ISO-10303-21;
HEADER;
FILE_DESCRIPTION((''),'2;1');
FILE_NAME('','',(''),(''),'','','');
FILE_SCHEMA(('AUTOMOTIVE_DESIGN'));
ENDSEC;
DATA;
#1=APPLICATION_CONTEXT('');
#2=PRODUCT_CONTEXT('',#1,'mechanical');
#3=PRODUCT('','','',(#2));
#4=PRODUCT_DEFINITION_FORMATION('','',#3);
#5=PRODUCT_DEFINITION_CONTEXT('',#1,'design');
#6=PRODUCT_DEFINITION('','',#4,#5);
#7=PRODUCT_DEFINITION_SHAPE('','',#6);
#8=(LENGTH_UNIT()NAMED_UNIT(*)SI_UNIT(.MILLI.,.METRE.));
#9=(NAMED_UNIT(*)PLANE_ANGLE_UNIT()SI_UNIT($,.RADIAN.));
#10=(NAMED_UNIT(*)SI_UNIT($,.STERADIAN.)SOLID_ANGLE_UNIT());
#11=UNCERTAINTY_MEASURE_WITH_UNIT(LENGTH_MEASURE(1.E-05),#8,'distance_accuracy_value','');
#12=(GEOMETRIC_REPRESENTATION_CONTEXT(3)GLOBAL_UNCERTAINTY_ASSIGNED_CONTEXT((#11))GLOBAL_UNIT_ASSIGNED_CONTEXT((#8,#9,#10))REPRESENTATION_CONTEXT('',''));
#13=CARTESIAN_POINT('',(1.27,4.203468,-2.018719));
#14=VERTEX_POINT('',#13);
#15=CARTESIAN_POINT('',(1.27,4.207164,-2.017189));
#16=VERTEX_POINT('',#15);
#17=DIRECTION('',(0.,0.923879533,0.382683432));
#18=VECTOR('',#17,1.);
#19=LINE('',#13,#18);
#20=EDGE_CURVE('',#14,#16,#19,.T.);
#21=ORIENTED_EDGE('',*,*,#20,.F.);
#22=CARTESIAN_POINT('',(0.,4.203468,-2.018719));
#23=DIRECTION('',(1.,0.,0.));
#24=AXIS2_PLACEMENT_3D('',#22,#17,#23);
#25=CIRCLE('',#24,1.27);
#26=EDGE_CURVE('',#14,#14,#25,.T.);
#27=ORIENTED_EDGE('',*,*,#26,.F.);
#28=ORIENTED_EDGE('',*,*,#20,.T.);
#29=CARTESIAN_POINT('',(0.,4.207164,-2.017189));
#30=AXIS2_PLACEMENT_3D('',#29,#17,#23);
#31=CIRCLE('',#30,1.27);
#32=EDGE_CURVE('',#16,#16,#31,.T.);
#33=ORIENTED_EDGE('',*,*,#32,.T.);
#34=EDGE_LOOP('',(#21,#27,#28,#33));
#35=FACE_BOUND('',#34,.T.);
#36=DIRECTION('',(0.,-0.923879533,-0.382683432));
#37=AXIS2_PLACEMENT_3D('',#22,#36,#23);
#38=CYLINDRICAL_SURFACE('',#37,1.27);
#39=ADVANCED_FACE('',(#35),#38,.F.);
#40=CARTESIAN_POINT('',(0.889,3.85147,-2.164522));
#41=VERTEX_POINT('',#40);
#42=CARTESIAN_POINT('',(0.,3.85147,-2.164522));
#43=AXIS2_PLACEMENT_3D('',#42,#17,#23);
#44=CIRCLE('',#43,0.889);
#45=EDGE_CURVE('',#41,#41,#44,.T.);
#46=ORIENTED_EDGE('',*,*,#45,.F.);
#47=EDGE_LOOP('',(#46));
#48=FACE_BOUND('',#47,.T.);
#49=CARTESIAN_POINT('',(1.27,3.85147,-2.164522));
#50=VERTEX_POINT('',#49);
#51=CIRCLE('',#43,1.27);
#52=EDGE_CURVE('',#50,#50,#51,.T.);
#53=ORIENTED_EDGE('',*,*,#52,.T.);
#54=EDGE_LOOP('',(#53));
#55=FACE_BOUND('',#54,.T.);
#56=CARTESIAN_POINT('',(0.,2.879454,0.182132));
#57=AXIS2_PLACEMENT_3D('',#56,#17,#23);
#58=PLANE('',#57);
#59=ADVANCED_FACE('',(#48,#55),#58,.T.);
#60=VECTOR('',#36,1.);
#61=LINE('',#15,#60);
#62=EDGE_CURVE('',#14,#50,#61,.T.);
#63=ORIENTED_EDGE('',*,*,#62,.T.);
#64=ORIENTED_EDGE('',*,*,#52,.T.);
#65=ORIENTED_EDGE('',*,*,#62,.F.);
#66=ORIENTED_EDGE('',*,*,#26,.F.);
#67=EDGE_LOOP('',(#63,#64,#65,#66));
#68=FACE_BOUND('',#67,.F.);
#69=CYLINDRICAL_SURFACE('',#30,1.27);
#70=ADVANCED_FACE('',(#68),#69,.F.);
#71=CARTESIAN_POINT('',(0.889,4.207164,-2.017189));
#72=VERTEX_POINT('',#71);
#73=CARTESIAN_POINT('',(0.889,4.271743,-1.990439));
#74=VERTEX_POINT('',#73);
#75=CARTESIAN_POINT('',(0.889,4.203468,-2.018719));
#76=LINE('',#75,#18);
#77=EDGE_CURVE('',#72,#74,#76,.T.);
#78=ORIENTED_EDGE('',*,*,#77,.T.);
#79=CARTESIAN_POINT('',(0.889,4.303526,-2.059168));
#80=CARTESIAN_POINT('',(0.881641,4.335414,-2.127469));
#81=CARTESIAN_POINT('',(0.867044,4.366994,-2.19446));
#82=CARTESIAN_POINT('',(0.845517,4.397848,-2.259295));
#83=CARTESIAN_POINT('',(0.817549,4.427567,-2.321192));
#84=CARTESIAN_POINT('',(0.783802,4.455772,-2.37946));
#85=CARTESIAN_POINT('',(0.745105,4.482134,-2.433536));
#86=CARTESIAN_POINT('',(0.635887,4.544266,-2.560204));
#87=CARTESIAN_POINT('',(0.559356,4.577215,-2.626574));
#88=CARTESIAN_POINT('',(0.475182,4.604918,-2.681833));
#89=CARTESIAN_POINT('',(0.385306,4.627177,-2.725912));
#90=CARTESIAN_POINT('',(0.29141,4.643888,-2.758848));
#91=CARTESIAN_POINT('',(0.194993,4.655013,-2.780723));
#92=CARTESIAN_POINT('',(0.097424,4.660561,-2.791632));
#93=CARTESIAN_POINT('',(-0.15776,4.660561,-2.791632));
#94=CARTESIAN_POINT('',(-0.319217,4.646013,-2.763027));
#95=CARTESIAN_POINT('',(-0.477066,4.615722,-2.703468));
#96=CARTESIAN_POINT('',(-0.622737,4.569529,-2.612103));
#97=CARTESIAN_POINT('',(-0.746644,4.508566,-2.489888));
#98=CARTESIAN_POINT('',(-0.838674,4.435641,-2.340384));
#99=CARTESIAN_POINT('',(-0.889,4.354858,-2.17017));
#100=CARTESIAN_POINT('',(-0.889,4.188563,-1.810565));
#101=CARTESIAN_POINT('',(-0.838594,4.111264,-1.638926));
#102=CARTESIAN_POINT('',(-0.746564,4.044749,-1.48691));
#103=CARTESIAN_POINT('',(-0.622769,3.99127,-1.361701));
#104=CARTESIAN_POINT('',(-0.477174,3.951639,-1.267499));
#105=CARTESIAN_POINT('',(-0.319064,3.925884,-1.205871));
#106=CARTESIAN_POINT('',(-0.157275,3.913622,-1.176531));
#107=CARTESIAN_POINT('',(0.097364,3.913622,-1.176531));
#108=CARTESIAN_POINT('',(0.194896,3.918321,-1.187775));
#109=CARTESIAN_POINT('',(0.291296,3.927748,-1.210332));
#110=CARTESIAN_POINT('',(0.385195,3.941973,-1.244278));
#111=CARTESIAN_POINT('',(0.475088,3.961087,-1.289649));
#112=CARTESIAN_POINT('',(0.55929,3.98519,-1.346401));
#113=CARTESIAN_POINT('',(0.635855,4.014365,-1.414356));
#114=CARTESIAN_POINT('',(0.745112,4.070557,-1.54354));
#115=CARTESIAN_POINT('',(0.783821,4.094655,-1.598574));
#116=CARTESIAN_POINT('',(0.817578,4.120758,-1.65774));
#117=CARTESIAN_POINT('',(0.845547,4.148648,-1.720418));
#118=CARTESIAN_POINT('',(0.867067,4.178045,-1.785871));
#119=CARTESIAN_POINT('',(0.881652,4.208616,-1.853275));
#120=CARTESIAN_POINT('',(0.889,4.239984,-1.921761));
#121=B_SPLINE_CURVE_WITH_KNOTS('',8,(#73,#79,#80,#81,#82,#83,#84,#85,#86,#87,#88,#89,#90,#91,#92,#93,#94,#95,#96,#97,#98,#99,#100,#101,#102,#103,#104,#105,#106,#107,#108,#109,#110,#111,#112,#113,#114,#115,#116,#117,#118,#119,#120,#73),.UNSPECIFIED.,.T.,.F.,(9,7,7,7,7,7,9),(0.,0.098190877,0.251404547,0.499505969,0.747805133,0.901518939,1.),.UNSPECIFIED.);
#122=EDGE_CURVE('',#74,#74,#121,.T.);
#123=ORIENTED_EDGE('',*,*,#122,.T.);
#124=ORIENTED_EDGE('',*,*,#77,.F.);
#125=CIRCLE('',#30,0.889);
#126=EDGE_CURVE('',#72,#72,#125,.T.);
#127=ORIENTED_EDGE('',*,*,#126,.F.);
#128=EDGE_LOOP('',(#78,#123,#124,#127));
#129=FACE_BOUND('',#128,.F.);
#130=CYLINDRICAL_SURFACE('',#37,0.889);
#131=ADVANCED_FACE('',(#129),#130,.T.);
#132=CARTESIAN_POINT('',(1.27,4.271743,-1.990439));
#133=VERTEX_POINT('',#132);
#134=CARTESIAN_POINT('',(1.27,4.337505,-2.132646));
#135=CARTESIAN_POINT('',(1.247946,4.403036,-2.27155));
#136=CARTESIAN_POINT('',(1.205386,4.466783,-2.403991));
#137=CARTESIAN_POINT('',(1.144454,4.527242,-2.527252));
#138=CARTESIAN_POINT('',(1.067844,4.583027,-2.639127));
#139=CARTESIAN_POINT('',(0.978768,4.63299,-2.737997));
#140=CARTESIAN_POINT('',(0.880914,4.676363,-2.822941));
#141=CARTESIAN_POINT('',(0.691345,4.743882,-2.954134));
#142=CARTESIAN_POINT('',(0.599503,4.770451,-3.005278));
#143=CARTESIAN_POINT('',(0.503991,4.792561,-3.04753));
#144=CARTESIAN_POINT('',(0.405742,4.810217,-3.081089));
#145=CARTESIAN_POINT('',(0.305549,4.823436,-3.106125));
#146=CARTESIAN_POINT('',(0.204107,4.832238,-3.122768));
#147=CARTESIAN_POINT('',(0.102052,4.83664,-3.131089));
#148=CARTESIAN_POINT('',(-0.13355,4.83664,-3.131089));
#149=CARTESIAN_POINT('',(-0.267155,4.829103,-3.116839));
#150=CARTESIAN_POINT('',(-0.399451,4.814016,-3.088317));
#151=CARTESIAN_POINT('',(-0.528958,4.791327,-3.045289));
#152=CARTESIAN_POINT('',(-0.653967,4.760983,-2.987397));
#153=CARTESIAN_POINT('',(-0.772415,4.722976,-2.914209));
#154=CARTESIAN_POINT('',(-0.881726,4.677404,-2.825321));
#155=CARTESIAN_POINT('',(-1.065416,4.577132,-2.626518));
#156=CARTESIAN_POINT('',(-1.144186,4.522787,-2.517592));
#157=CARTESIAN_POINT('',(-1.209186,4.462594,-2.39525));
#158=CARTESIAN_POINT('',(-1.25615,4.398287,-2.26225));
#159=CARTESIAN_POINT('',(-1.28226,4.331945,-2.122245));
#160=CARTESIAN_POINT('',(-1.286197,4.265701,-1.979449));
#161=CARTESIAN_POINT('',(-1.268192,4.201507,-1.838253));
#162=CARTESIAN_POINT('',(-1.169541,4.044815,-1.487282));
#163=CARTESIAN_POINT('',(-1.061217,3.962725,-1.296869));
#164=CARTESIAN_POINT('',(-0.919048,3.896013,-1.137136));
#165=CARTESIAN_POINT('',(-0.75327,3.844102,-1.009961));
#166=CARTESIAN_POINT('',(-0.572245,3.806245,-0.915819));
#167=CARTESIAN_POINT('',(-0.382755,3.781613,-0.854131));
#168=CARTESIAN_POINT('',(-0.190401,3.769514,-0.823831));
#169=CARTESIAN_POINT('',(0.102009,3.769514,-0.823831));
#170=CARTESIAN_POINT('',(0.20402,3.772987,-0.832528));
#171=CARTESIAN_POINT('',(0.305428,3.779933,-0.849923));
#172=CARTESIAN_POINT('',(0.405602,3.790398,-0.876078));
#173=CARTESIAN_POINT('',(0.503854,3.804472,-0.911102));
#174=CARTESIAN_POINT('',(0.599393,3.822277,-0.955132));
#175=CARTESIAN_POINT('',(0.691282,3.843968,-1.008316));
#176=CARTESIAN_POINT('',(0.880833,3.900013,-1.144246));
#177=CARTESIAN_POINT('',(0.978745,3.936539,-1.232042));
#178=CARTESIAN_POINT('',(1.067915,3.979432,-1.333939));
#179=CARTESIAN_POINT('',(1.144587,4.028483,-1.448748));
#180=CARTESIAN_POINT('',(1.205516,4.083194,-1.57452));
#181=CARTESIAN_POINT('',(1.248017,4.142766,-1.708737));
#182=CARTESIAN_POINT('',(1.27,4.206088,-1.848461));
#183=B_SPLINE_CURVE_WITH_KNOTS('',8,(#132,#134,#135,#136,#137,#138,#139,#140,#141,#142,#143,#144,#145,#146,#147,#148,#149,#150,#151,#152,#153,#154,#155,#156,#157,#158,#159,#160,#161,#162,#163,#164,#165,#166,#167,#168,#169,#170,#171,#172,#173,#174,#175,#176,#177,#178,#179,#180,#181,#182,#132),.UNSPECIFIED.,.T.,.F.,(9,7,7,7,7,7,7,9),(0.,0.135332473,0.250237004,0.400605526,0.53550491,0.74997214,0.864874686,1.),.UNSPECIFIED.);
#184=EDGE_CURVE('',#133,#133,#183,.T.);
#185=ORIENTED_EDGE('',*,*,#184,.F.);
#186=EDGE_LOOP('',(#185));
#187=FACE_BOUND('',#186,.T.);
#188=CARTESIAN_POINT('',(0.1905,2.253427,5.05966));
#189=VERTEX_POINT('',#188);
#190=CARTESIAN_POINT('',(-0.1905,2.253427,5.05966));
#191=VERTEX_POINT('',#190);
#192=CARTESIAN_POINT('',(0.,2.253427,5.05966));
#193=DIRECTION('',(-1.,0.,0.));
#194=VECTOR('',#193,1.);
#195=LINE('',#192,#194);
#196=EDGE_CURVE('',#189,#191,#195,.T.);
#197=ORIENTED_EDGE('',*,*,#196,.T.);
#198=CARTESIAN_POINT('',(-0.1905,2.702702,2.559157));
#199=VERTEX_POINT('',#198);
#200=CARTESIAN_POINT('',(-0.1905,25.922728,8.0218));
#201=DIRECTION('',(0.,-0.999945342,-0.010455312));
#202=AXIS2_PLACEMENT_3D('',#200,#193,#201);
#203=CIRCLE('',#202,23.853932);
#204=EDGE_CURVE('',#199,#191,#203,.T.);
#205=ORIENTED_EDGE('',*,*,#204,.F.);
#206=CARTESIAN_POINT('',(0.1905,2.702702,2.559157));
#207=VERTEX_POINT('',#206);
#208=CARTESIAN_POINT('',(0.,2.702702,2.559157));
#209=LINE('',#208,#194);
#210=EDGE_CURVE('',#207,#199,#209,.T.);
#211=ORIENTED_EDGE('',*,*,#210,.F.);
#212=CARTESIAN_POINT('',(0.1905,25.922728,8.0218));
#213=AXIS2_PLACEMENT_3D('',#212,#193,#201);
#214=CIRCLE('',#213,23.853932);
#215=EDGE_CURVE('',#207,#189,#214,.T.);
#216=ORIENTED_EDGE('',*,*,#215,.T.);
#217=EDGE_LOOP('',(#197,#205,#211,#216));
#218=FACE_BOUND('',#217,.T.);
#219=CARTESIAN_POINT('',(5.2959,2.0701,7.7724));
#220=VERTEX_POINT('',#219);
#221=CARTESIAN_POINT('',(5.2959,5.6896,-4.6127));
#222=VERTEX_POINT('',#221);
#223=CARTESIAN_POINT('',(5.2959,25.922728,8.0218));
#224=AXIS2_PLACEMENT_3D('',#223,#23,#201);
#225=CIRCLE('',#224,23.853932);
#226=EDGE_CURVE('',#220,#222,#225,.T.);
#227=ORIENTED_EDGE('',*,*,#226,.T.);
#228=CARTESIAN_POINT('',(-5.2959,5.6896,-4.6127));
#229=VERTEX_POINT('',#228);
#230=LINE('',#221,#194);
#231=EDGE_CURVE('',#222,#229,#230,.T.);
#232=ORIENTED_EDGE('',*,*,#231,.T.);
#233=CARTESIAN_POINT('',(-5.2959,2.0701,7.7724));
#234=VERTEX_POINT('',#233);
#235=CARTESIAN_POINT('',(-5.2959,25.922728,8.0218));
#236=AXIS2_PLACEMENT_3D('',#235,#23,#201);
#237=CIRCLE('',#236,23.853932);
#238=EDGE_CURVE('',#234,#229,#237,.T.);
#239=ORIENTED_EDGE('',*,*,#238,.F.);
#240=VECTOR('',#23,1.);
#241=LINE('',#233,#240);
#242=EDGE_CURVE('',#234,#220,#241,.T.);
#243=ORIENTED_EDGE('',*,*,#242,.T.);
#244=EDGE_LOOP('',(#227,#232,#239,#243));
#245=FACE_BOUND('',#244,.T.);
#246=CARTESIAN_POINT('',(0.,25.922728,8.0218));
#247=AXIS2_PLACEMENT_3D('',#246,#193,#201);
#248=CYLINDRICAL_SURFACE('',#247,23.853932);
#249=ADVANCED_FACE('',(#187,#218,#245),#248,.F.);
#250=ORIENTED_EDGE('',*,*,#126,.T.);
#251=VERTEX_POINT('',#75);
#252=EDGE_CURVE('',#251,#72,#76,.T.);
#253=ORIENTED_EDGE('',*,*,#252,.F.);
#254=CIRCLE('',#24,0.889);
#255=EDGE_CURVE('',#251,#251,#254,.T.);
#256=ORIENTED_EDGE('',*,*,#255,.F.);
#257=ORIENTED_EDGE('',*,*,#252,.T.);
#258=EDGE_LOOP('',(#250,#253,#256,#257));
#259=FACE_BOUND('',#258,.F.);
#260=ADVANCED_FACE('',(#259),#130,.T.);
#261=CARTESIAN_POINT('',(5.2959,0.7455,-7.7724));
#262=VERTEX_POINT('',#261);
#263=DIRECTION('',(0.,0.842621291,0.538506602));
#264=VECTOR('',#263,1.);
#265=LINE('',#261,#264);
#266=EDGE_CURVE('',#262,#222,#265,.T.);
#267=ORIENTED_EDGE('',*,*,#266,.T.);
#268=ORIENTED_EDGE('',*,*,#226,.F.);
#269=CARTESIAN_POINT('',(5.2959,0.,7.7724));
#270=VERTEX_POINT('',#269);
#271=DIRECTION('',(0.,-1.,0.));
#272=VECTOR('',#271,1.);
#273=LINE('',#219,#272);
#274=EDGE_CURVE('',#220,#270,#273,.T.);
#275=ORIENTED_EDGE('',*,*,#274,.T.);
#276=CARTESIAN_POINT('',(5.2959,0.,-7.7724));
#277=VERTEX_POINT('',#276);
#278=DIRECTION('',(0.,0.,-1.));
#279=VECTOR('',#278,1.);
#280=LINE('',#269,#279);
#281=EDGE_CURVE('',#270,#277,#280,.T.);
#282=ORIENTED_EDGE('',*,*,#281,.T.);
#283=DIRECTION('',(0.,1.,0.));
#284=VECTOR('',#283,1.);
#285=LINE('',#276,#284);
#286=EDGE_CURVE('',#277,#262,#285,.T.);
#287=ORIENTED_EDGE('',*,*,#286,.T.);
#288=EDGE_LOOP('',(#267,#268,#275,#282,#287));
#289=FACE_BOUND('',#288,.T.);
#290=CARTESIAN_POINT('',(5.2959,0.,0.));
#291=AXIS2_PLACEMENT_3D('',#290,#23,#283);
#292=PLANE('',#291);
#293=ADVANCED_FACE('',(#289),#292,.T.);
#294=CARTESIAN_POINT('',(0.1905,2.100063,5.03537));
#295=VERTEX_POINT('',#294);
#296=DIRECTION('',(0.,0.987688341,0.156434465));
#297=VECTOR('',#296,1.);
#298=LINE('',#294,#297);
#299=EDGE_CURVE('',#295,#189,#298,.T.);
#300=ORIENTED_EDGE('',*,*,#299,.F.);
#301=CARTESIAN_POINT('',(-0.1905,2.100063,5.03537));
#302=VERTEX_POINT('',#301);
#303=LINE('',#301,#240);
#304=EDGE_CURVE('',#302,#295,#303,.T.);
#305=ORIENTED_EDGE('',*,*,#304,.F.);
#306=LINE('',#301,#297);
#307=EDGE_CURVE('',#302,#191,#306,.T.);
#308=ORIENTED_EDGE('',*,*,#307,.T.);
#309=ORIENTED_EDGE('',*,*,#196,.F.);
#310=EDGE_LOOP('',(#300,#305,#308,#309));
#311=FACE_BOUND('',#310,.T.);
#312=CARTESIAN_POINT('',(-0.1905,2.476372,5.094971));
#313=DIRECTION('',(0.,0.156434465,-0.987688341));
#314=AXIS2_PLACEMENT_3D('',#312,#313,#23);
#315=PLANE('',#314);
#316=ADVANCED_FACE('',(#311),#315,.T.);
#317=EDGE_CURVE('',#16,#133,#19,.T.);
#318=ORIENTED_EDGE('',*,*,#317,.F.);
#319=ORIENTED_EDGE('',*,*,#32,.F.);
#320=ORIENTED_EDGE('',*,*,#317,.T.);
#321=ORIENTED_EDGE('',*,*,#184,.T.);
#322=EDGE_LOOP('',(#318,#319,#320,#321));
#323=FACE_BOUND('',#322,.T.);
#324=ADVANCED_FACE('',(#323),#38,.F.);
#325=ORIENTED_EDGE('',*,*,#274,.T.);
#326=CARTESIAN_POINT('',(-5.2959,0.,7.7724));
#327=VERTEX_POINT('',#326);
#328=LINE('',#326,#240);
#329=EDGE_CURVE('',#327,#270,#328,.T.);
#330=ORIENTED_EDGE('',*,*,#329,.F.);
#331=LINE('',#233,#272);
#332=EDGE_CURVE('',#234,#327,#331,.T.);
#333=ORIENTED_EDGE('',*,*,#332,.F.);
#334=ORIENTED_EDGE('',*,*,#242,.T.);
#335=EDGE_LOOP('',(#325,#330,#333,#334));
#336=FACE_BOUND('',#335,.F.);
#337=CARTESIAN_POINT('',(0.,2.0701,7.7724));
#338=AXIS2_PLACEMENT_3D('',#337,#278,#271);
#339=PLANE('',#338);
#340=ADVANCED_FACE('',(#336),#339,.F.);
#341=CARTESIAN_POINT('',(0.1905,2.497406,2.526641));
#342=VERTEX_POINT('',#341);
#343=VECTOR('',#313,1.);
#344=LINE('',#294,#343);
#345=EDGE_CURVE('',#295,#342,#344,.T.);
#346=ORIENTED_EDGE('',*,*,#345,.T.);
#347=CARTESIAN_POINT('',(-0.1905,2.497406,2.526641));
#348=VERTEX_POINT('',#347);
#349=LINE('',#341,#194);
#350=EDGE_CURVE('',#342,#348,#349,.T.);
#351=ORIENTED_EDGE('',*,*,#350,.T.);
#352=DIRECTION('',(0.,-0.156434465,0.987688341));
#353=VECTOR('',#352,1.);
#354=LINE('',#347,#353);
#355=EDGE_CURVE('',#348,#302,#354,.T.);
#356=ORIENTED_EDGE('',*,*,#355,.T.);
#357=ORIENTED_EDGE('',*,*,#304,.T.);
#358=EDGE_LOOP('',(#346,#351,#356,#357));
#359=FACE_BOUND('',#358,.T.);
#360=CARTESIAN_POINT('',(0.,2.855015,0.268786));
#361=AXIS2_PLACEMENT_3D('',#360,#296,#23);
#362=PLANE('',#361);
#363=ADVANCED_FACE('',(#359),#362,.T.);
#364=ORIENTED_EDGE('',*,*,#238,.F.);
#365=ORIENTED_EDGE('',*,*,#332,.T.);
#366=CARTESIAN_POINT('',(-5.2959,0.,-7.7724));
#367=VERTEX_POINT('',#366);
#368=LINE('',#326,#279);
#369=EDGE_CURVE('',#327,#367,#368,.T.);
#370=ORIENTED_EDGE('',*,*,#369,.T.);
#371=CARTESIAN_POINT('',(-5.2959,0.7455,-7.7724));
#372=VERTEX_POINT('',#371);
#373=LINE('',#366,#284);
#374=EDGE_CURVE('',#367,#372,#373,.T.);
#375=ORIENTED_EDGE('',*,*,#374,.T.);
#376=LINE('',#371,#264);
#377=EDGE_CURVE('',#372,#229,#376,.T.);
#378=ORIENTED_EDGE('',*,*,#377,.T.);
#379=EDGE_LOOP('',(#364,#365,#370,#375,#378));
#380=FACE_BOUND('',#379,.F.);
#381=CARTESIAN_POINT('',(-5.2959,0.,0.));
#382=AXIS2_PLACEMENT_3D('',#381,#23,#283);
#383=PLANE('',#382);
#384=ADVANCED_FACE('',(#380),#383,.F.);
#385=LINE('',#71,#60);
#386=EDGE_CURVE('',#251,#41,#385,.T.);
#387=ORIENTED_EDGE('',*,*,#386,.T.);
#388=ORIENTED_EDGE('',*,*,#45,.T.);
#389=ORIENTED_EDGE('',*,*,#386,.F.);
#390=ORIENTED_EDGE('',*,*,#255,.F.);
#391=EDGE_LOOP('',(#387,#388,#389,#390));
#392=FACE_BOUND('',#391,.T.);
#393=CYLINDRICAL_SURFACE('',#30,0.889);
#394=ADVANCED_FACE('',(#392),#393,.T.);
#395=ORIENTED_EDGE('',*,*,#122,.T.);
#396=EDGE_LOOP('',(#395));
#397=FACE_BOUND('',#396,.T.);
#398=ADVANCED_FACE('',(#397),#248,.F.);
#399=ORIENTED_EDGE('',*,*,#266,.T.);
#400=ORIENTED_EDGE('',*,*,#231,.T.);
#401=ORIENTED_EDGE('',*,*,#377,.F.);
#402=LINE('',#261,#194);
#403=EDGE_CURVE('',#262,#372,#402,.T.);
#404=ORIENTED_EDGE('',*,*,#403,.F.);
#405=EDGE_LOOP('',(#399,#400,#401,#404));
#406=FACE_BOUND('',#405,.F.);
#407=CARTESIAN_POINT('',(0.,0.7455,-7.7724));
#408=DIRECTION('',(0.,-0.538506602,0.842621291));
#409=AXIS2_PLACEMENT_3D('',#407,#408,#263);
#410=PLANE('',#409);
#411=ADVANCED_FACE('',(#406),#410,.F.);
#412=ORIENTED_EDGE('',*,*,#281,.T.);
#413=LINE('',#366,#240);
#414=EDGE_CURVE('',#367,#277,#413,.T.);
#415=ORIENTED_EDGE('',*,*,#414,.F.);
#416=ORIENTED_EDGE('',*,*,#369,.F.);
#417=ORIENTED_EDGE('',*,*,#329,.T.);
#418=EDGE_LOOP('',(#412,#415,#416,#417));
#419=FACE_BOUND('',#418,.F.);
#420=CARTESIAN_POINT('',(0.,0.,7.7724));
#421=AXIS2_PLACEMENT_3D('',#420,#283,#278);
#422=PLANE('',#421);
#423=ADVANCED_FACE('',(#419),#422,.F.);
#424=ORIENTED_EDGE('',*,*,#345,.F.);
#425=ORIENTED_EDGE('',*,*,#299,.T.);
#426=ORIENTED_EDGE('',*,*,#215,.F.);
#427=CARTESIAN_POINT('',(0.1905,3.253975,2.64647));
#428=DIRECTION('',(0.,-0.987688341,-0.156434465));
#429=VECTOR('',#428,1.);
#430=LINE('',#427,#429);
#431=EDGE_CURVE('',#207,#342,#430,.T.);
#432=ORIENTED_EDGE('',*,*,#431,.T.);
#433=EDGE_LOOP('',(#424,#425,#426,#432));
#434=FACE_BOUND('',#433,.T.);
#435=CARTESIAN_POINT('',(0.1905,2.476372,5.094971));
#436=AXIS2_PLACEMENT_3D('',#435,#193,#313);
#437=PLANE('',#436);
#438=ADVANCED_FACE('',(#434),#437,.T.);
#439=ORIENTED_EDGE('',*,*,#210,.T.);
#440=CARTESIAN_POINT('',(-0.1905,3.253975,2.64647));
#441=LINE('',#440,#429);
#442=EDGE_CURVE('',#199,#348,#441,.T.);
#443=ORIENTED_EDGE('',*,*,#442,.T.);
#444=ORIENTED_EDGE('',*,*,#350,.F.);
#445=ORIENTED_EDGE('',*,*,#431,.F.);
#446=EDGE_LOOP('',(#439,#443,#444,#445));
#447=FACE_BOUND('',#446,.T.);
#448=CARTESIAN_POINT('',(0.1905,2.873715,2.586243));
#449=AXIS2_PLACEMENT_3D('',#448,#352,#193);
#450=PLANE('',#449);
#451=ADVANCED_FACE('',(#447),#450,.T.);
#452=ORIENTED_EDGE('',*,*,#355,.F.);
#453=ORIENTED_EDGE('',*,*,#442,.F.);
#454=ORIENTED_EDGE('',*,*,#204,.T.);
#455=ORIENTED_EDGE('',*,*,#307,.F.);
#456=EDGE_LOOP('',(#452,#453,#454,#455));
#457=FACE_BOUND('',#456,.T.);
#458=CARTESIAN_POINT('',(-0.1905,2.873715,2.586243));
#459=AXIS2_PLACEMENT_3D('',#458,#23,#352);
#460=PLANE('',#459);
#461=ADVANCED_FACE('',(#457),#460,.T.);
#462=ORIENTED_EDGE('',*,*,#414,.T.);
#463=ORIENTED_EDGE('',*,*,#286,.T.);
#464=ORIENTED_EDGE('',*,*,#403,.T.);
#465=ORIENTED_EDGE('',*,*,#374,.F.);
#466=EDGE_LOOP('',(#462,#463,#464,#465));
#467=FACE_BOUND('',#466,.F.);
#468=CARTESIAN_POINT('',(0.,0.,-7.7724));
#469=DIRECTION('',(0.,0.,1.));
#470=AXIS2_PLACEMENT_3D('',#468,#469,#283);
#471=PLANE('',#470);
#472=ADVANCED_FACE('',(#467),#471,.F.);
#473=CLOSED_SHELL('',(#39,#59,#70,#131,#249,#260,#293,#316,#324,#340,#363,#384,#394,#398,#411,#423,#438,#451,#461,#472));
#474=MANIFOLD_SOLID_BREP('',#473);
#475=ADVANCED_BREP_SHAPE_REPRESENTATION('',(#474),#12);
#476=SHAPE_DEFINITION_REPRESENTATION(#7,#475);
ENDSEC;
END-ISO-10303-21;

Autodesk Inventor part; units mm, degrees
sketch "Sketch_2" plane through (0, 0, 0) normal (1, 0, 0) x (0, 1, 0)
  line L0 (2.0701, 7.7724) -> (0, 7.7724)
  line L1 (0, 7.7724) -> (0, -7.7724)
  line L2 (0, -7.7724) -> (0.7455, -7.7724)
  line L3 (0.7455, -7.7724) -> (5.6896, -4.6127)
  arc A0 (2.0701, 7.7724) -> (5.6896, -4.6127) centre (25.9234, 8.0219) ccw
extrude "Extrusion1" add sketch "Sketch_2" along normal mid plane 10.5918
sketch "Sketch_3" plane through (0, 3.2333, 0.3287) normal (0, 0.9239, 0.3827) x (1, 0, 0)
  circle A0 centre (0, 2.54) radius 1.27
  circle A1 centre (0, 2.54) radius 0.889
extrude "Extrusion2" cut sketch "Sketch_3" along normal mid plane 0.762
sketch "Sketch_4" plane through (0, 3.2333, 0.3287) normal (0, 0.9877, 0.1564) x (1, 0, 0)
  line L0 (-0.1905, -4.826) -> (0.1905, -4.826)
  line L1 (0.1905, -4.826) -> (0.1905, -2.286)
  line L2 (0.1905, -2.286) -> (-0.1905, -2.286)
  line L3 (-0.1905, -2.286) -> (-0.1905, -4.826)
extrude "Extrusion3" cut sketch "Sketch_4" along normal mid plane 0.762
ref_plane "to_body_XY" through (0, 0, 0) normal (0, 1, 0) x (1, 0, 0)
ref_plane "to_body_YZ" through (0, 0, 0) normal (1, 0, 0) x (0, 0, -1)
ref_plane "to_body_ZX" through (0, 0, 0) normal (0, 0, -1) x (0, 1, 0)
properties part number "CWSB2-nonillumin_rocker"
